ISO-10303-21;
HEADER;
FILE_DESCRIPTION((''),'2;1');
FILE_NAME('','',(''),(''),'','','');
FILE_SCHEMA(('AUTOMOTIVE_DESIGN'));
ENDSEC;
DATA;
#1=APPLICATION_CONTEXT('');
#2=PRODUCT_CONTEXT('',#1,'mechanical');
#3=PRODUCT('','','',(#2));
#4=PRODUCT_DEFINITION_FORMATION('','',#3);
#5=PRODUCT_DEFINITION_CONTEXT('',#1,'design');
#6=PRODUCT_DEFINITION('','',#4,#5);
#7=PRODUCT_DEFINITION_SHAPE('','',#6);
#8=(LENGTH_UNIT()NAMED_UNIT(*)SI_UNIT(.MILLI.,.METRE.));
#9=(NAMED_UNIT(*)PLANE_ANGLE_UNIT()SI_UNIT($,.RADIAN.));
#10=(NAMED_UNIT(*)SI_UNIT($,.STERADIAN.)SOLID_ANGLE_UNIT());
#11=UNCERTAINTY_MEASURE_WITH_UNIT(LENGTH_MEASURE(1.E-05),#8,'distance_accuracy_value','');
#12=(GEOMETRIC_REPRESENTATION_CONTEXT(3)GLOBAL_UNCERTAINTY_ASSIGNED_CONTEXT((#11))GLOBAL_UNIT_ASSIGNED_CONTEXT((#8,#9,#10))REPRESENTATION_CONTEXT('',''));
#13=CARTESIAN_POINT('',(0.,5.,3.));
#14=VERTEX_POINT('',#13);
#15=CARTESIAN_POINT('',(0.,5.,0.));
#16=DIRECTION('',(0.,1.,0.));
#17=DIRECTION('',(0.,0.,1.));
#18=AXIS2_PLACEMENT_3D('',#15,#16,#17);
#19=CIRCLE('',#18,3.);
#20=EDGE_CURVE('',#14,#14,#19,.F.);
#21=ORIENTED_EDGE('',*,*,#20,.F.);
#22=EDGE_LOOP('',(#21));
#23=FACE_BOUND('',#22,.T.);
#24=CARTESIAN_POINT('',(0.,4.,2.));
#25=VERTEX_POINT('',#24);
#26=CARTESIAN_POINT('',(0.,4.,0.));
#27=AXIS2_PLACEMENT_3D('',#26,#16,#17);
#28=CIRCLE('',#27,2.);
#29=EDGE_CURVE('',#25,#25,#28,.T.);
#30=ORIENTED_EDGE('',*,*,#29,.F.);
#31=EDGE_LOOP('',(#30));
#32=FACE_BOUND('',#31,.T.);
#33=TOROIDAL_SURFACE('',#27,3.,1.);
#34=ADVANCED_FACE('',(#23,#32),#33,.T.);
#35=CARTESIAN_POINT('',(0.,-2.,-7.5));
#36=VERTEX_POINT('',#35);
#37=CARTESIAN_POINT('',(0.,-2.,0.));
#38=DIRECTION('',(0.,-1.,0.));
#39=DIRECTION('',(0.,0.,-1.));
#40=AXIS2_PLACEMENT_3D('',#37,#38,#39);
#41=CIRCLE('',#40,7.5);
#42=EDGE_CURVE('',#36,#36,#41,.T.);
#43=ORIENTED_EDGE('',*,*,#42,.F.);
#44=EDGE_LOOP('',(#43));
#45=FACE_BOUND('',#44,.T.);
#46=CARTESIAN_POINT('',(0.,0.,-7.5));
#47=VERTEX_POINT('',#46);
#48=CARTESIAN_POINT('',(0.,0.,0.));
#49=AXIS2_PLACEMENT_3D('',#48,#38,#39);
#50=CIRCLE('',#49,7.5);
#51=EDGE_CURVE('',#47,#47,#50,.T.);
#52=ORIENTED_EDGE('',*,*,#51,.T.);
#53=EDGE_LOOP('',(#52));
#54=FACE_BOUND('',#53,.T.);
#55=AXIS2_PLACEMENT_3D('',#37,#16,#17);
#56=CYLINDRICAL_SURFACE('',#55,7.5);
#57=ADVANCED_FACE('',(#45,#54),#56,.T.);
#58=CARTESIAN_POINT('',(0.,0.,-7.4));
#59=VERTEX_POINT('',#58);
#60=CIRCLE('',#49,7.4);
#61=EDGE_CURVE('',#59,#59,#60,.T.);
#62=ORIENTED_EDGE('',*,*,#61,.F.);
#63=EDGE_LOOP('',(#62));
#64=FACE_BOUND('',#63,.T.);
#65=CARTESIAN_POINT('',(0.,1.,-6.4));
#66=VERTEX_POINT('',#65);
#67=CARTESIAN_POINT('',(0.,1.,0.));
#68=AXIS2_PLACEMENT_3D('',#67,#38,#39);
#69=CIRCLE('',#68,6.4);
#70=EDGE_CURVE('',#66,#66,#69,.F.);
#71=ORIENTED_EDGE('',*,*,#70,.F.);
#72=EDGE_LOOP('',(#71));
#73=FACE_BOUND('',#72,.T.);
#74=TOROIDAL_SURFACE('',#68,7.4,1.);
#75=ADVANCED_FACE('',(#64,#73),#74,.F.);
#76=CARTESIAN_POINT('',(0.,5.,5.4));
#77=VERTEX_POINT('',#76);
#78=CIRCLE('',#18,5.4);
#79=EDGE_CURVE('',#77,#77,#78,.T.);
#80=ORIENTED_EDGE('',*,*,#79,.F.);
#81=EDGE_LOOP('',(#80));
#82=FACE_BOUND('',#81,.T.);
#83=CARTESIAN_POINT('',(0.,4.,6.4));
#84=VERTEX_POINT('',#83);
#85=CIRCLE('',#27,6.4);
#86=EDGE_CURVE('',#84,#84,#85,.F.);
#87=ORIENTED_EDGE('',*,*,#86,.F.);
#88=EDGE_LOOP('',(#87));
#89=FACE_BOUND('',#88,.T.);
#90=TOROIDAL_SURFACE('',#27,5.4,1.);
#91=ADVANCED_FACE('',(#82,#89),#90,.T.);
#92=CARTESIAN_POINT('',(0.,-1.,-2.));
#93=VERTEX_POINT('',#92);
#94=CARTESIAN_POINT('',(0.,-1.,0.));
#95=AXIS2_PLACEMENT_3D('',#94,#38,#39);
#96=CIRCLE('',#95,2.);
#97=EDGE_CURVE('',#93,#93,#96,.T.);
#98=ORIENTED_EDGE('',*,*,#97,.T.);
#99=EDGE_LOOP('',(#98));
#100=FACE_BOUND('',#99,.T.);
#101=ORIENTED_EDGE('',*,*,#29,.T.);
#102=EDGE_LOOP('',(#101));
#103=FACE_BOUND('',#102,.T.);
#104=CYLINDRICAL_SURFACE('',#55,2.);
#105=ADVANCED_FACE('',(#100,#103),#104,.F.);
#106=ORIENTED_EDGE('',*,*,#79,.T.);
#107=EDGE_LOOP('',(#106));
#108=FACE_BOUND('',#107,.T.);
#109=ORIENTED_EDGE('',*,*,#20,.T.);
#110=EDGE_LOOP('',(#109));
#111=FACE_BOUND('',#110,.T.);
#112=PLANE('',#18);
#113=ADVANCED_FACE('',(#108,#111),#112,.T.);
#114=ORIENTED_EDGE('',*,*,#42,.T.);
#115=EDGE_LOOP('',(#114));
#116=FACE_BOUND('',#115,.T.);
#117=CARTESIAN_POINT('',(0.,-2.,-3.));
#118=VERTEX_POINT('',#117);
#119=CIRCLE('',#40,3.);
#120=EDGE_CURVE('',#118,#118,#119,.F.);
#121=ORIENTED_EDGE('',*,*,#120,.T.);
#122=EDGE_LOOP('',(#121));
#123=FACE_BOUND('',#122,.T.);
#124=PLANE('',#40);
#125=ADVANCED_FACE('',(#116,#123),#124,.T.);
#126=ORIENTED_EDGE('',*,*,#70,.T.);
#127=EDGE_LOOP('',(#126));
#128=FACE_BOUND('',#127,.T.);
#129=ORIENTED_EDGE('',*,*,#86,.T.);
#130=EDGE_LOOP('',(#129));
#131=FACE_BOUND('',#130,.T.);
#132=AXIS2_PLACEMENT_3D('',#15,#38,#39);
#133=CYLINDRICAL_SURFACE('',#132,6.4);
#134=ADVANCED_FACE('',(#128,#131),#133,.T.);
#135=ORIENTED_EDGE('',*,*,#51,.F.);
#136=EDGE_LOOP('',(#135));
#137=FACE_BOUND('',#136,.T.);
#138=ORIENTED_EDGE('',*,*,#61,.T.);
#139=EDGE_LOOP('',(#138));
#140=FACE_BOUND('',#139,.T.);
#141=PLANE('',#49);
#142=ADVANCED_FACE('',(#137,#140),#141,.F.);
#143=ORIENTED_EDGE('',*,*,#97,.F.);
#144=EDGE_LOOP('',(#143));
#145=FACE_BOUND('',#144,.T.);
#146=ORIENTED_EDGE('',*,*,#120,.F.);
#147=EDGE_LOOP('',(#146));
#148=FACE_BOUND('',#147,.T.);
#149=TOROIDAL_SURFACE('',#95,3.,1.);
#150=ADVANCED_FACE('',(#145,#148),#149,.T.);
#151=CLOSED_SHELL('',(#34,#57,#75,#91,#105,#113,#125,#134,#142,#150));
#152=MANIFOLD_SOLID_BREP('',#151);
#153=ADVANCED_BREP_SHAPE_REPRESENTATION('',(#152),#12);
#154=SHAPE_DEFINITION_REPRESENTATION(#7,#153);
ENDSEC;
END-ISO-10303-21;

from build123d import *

# Parameters (mm, degrees)
SKETCH_1_R          = 6.4
EXTRUDE_1_DEPTH     = 5
SKETCH_3_R          = 7.5
EXTRUDE_2_DEPTH     = 2
SKETCH_2_R          = 2
CUT_EXTRUDE_1_DEPTH = 8
FILLET_1_R          = 1
FILLET_2_R          = 1
FILLET_3_R          = 1


with BuildPart() as part:
    # 草图1 → 凸台-拉伸1 (new body)
    with BuildSketch(Plane(origin=(0, 0, 0), x_dir=(1, 0, 0), z_dir=(0, 1, 0))):
        Circle(SKETCH_1_R)
    extrude(amount=EXTRUDE_1_DEPTH)

    # 草图3 → 凸台-拉伸2 (add)
    with BuildSketch(Plane.XZ):
        Circle(SKETCH_3_R)
    extrude(amount=EXTRUDE_2_DEPTH)

    # 草图2 → 切除-拉伸1 (cut, through all)
    with BuildSketch(Plane(origin=(0, 5, 0), x_dir=(1, 0, 0), z_dir=(0, 1, 0))):
        Circle(SKETCH_2_R)
    extrude(amount=-CUT_EXTRUDE_1_DEPTH, mode=Mode.SUBTRACT)

    # 圆角1
    fillet_1_edges = [part.edges().sort_by_distance(p)[0] for p in [
        (-2, 5, 0),
        (-6.4, 5, 0),
    ]]
    fillet(fillet_1_edges, radius=FILLET_1_R)

    # 圆角2
    fillet_2_edges = [part.edges().sort_by_distance(p)[0] for p in [
        (-6.4, 0, 0),
    ]]
    fillet(fillet_2_edges, radius=FILLET_2_R)

    # 圆角3
    fillet_3_edges = [part.edges().sort_by_distance(p)[0] for p in [
        (-2, -2, 0),
    ]]
    fillet(fillet_3_edges, radius=FILLET_3_R)


solid = part.part
